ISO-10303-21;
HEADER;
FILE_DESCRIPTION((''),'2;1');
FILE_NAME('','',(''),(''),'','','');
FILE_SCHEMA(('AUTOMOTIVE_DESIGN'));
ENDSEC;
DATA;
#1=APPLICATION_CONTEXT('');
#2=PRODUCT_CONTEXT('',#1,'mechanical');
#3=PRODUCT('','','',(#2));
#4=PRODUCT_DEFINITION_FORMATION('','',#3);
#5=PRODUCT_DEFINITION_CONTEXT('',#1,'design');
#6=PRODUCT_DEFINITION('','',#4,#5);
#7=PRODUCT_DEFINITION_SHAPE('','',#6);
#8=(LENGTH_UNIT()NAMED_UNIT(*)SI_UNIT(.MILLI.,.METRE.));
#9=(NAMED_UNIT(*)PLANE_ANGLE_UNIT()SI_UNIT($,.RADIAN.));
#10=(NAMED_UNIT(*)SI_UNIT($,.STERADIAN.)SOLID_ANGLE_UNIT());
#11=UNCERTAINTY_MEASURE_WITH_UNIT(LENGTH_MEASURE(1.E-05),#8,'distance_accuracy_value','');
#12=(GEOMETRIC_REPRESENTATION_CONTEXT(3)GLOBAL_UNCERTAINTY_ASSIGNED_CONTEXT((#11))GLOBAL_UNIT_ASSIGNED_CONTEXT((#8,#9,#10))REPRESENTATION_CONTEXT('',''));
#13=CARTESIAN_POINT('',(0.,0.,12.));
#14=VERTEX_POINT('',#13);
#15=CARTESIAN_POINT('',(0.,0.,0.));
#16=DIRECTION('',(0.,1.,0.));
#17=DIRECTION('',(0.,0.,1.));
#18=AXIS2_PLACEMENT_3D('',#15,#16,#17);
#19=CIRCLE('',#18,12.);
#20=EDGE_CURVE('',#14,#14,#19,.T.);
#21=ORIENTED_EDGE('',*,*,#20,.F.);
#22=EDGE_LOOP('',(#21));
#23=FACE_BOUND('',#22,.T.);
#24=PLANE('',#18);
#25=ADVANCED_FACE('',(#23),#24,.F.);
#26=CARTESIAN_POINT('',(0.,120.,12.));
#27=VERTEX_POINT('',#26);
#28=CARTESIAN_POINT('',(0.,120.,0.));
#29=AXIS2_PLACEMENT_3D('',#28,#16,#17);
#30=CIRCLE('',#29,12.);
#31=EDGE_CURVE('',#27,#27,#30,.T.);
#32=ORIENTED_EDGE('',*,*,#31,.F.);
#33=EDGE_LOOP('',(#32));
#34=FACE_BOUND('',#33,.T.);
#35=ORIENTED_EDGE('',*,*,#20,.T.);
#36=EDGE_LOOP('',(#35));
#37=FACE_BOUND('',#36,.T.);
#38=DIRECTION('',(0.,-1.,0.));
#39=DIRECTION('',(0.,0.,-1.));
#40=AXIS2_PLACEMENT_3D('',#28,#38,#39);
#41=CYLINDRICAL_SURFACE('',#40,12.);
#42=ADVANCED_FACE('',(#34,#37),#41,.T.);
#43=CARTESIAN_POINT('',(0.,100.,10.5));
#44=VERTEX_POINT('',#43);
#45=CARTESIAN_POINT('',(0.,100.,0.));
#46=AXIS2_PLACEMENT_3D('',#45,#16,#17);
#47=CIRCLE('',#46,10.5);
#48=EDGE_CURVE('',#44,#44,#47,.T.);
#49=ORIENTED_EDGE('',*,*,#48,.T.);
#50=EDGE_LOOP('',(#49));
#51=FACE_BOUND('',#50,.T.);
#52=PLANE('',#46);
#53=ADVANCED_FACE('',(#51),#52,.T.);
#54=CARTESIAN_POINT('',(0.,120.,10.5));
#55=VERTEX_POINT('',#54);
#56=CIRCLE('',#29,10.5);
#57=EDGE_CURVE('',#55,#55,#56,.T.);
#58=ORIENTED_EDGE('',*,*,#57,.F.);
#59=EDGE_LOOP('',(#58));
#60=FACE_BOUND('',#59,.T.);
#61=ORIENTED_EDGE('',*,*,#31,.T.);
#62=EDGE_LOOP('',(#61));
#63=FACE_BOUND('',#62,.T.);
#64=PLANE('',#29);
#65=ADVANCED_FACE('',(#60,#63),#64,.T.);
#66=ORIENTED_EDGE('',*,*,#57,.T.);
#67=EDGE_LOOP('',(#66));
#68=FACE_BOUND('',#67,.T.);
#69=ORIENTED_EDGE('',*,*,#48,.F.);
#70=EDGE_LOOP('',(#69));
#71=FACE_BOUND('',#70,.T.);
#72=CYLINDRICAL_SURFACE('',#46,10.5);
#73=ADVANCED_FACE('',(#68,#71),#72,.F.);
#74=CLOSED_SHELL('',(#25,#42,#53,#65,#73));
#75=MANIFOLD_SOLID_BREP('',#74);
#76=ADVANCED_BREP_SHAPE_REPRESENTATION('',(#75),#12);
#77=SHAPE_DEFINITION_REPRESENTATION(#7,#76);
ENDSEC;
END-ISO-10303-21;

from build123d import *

# Parameters (mm, degrees)
SKETCH1_R           = 12
BOSS_EXTRUDE1_DEPTH = 120
SKETCH2_R           = 10.5
CUT_EXTRUDE1_DEPTH  = 20


with BuildPart() as part:
    # Sketch1 → Boss-Extrude1 (new body)
    with BuildSketch(Plane(origin=(0, 0, 0), x_dir=(1, 0, 0), z_dir=(0, 1, 0))):
        with Locations(Location((0, 0, 0), (0, 0, 270))):
            Circle(SKETCH1_R)
    extrude(amount=BOSS_EXTRUDE1_DEPTH)

    # Sketch2 → Cut-Extrude1 (cut)
    with BuildSketch(Plane(origin=(0, 120, 0), x_dir=(1, 0, 0), z_dir=(0, 1, 0))):
        with Locations(Location((0, 0, 0), (0, 0, 270))):
            Circle(SKETCH2_R)
    extrude(amount=-CUT_EXTRUDE1_DEPTH, mode=Mode.SUBTRACT)


solid = part.part
